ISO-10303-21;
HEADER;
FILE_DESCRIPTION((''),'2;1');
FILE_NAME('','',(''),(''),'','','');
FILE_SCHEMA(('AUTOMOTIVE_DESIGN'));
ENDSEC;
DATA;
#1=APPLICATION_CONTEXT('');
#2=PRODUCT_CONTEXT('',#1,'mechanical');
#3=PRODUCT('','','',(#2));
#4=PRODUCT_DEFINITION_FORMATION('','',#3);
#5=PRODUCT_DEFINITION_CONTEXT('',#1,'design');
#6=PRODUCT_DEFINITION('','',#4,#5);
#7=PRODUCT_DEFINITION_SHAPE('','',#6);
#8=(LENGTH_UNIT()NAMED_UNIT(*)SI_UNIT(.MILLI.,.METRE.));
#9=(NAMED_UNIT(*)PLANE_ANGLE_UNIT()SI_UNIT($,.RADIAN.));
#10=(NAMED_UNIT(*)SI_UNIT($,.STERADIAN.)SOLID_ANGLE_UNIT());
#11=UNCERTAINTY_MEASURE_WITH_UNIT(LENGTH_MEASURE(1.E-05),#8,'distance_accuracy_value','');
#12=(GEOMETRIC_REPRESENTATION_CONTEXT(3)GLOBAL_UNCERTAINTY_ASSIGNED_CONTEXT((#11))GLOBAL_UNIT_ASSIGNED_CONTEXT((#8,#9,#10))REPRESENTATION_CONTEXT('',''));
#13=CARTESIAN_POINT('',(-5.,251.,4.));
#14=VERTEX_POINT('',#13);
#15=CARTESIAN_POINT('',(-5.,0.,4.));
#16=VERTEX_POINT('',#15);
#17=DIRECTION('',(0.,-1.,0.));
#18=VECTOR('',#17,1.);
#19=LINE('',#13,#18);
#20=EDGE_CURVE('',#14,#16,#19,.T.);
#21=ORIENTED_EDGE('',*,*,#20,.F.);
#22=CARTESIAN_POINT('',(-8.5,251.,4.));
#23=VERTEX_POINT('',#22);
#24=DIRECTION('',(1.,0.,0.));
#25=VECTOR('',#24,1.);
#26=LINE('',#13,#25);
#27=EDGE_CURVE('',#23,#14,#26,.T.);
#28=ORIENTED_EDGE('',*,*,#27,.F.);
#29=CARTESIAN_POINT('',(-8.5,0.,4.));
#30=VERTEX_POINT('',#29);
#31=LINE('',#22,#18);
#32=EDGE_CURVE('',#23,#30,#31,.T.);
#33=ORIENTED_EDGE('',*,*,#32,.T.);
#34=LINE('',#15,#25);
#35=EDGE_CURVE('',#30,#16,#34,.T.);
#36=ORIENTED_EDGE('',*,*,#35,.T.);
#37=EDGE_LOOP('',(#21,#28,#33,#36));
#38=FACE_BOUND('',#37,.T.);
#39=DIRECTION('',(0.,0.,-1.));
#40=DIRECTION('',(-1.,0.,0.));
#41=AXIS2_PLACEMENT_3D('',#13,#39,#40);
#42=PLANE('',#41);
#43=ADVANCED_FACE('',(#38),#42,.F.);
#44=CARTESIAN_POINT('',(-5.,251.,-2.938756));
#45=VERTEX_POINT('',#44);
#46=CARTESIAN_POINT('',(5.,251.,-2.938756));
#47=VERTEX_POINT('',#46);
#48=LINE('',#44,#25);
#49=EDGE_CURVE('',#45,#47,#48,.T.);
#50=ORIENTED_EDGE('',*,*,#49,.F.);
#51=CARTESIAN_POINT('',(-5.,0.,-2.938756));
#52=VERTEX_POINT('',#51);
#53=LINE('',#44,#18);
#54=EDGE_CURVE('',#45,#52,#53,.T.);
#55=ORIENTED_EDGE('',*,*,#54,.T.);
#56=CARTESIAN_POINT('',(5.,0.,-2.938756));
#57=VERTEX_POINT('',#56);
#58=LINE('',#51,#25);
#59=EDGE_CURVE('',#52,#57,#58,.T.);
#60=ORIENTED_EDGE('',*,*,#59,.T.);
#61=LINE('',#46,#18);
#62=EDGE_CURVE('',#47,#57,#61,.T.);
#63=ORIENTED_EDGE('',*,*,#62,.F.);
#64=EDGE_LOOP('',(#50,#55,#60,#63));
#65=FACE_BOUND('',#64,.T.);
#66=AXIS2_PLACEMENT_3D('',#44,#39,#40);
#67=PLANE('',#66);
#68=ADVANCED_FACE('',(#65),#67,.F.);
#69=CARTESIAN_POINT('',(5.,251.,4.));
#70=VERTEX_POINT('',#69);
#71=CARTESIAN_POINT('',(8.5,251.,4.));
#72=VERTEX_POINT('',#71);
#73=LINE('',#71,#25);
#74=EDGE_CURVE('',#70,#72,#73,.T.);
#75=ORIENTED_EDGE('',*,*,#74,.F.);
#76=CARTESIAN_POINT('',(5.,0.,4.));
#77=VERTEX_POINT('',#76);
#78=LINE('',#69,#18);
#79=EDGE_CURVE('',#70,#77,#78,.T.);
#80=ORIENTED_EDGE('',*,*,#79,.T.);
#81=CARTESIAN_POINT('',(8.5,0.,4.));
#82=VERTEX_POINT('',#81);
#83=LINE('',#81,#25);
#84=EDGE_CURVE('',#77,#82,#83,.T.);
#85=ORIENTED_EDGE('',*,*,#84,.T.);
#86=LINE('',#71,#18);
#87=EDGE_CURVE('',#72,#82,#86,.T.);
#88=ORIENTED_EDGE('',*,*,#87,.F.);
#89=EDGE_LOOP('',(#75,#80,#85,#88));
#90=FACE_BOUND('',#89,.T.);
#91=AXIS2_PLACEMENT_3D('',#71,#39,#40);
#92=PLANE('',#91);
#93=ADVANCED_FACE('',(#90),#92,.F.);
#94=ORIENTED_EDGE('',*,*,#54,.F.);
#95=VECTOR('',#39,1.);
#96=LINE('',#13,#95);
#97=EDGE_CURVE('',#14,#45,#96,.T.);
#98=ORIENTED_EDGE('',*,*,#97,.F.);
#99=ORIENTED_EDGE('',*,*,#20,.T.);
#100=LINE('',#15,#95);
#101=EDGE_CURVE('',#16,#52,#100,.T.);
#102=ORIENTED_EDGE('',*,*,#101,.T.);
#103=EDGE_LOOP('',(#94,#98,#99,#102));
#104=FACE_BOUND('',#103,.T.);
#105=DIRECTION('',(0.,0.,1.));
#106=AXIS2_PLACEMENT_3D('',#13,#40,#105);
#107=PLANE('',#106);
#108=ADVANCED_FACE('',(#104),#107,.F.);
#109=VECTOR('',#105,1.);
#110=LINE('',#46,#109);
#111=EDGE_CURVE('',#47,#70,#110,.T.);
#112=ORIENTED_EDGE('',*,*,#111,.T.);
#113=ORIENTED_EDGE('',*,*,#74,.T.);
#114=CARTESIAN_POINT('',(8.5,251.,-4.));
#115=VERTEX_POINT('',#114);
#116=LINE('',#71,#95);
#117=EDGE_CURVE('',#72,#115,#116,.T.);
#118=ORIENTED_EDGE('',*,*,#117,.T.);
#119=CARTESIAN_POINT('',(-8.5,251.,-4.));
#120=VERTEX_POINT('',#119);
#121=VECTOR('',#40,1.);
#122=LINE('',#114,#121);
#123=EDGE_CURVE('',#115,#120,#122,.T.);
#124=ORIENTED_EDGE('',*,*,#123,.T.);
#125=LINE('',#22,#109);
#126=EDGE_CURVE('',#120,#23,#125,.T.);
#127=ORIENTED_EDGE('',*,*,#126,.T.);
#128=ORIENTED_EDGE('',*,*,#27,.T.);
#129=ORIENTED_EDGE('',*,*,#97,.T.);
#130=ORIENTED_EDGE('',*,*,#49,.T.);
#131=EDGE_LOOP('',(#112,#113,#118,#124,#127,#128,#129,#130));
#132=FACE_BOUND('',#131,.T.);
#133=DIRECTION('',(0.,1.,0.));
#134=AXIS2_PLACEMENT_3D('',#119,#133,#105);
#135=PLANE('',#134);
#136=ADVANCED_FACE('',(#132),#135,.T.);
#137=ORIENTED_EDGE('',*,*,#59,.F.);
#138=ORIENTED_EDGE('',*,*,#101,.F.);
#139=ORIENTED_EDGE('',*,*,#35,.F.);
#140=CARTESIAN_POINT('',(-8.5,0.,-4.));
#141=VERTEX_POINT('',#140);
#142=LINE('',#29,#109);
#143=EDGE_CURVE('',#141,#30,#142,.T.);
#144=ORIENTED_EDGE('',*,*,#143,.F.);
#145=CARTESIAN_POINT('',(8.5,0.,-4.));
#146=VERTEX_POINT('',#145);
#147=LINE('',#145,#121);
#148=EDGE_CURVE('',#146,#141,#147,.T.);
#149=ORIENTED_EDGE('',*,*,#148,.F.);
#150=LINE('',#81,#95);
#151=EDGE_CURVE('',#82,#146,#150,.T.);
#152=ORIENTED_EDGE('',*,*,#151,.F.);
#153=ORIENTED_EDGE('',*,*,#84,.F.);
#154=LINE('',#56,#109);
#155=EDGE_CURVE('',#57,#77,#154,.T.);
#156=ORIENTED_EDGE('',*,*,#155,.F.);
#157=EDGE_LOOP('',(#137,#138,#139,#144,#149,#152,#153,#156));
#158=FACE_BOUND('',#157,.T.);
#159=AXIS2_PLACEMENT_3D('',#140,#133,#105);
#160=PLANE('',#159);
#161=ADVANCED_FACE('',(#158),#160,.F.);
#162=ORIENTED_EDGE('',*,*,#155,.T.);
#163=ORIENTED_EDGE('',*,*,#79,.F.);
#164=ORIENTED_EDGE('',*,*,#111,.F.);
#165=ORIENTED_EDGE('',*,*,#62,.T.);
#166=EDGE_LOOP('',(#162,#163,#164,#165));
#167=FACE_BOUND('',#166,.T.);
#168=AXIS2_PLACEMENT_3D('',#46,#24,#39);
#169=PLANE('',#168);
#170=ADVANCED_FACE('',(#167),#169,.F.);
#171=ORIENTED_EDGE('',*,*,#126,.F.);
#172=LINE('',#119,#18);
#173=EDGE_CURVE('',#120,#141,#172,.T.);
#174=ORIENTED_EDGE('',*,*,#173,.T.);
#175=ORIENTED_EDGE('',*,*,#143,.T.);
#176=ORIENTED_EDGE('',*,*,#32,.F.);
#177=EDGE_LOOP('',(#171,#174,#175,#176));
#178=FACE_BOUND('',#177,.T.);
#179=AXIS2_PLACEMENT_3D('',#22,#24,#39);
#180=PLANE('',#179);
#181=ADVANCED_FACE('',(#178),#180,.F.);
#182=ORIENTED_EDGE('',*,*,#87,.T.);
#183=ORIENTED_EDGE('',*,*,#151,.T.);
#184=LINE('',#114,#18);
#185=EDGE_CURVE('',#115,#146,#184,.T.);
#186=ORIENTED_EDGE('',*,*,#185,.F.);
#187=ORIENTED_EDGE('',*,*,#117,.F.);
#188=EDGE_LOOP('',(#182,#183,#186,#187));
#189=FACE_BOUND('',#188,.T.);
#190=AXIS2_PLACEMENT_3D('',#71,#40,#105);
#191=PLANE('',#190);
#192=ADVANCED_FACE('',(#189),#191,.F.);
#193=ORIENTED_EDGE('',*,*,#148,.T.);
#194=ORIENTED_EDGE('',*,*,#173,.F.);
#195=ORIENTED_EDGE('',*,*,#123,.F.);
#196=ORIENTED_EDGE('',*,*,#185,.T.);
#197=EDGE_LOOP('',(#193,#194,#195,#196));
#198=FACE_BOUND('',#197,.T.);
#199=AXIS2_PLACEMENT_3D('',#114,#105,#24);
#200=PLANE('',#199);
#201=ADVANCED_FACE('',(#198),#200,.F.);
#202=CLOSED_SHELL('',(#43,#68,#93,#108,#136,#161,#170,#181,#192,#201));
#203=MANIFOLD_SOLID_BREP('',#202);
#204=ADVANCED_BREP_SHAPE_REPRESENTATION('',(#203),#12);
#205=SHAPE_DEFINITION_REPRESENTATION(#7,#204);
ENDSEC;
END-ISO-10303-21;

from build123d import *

# Parameters (mm, degrees)
BOSS_EXTRUDE1_DEPTH = 251


with BuildPart() as part:
    # Sketch1 → Boss-Extrude1 (new body)
    with BuildSketch(Plane(origin=(0, 0, 0), x_dir=(1, 0, 0), z_dir=(0, 1, 0))):
        Polygon((-5, -4), (-5, 2.938756375), (5, 2.938756375), (5, -4), (8.5, -4), (8.5, 4), (-8.5, 4), (-8.5, -4), align=None)
    extrude(amount=BOSS_EXTRUDE1_DEPTH)


solid = part.part
